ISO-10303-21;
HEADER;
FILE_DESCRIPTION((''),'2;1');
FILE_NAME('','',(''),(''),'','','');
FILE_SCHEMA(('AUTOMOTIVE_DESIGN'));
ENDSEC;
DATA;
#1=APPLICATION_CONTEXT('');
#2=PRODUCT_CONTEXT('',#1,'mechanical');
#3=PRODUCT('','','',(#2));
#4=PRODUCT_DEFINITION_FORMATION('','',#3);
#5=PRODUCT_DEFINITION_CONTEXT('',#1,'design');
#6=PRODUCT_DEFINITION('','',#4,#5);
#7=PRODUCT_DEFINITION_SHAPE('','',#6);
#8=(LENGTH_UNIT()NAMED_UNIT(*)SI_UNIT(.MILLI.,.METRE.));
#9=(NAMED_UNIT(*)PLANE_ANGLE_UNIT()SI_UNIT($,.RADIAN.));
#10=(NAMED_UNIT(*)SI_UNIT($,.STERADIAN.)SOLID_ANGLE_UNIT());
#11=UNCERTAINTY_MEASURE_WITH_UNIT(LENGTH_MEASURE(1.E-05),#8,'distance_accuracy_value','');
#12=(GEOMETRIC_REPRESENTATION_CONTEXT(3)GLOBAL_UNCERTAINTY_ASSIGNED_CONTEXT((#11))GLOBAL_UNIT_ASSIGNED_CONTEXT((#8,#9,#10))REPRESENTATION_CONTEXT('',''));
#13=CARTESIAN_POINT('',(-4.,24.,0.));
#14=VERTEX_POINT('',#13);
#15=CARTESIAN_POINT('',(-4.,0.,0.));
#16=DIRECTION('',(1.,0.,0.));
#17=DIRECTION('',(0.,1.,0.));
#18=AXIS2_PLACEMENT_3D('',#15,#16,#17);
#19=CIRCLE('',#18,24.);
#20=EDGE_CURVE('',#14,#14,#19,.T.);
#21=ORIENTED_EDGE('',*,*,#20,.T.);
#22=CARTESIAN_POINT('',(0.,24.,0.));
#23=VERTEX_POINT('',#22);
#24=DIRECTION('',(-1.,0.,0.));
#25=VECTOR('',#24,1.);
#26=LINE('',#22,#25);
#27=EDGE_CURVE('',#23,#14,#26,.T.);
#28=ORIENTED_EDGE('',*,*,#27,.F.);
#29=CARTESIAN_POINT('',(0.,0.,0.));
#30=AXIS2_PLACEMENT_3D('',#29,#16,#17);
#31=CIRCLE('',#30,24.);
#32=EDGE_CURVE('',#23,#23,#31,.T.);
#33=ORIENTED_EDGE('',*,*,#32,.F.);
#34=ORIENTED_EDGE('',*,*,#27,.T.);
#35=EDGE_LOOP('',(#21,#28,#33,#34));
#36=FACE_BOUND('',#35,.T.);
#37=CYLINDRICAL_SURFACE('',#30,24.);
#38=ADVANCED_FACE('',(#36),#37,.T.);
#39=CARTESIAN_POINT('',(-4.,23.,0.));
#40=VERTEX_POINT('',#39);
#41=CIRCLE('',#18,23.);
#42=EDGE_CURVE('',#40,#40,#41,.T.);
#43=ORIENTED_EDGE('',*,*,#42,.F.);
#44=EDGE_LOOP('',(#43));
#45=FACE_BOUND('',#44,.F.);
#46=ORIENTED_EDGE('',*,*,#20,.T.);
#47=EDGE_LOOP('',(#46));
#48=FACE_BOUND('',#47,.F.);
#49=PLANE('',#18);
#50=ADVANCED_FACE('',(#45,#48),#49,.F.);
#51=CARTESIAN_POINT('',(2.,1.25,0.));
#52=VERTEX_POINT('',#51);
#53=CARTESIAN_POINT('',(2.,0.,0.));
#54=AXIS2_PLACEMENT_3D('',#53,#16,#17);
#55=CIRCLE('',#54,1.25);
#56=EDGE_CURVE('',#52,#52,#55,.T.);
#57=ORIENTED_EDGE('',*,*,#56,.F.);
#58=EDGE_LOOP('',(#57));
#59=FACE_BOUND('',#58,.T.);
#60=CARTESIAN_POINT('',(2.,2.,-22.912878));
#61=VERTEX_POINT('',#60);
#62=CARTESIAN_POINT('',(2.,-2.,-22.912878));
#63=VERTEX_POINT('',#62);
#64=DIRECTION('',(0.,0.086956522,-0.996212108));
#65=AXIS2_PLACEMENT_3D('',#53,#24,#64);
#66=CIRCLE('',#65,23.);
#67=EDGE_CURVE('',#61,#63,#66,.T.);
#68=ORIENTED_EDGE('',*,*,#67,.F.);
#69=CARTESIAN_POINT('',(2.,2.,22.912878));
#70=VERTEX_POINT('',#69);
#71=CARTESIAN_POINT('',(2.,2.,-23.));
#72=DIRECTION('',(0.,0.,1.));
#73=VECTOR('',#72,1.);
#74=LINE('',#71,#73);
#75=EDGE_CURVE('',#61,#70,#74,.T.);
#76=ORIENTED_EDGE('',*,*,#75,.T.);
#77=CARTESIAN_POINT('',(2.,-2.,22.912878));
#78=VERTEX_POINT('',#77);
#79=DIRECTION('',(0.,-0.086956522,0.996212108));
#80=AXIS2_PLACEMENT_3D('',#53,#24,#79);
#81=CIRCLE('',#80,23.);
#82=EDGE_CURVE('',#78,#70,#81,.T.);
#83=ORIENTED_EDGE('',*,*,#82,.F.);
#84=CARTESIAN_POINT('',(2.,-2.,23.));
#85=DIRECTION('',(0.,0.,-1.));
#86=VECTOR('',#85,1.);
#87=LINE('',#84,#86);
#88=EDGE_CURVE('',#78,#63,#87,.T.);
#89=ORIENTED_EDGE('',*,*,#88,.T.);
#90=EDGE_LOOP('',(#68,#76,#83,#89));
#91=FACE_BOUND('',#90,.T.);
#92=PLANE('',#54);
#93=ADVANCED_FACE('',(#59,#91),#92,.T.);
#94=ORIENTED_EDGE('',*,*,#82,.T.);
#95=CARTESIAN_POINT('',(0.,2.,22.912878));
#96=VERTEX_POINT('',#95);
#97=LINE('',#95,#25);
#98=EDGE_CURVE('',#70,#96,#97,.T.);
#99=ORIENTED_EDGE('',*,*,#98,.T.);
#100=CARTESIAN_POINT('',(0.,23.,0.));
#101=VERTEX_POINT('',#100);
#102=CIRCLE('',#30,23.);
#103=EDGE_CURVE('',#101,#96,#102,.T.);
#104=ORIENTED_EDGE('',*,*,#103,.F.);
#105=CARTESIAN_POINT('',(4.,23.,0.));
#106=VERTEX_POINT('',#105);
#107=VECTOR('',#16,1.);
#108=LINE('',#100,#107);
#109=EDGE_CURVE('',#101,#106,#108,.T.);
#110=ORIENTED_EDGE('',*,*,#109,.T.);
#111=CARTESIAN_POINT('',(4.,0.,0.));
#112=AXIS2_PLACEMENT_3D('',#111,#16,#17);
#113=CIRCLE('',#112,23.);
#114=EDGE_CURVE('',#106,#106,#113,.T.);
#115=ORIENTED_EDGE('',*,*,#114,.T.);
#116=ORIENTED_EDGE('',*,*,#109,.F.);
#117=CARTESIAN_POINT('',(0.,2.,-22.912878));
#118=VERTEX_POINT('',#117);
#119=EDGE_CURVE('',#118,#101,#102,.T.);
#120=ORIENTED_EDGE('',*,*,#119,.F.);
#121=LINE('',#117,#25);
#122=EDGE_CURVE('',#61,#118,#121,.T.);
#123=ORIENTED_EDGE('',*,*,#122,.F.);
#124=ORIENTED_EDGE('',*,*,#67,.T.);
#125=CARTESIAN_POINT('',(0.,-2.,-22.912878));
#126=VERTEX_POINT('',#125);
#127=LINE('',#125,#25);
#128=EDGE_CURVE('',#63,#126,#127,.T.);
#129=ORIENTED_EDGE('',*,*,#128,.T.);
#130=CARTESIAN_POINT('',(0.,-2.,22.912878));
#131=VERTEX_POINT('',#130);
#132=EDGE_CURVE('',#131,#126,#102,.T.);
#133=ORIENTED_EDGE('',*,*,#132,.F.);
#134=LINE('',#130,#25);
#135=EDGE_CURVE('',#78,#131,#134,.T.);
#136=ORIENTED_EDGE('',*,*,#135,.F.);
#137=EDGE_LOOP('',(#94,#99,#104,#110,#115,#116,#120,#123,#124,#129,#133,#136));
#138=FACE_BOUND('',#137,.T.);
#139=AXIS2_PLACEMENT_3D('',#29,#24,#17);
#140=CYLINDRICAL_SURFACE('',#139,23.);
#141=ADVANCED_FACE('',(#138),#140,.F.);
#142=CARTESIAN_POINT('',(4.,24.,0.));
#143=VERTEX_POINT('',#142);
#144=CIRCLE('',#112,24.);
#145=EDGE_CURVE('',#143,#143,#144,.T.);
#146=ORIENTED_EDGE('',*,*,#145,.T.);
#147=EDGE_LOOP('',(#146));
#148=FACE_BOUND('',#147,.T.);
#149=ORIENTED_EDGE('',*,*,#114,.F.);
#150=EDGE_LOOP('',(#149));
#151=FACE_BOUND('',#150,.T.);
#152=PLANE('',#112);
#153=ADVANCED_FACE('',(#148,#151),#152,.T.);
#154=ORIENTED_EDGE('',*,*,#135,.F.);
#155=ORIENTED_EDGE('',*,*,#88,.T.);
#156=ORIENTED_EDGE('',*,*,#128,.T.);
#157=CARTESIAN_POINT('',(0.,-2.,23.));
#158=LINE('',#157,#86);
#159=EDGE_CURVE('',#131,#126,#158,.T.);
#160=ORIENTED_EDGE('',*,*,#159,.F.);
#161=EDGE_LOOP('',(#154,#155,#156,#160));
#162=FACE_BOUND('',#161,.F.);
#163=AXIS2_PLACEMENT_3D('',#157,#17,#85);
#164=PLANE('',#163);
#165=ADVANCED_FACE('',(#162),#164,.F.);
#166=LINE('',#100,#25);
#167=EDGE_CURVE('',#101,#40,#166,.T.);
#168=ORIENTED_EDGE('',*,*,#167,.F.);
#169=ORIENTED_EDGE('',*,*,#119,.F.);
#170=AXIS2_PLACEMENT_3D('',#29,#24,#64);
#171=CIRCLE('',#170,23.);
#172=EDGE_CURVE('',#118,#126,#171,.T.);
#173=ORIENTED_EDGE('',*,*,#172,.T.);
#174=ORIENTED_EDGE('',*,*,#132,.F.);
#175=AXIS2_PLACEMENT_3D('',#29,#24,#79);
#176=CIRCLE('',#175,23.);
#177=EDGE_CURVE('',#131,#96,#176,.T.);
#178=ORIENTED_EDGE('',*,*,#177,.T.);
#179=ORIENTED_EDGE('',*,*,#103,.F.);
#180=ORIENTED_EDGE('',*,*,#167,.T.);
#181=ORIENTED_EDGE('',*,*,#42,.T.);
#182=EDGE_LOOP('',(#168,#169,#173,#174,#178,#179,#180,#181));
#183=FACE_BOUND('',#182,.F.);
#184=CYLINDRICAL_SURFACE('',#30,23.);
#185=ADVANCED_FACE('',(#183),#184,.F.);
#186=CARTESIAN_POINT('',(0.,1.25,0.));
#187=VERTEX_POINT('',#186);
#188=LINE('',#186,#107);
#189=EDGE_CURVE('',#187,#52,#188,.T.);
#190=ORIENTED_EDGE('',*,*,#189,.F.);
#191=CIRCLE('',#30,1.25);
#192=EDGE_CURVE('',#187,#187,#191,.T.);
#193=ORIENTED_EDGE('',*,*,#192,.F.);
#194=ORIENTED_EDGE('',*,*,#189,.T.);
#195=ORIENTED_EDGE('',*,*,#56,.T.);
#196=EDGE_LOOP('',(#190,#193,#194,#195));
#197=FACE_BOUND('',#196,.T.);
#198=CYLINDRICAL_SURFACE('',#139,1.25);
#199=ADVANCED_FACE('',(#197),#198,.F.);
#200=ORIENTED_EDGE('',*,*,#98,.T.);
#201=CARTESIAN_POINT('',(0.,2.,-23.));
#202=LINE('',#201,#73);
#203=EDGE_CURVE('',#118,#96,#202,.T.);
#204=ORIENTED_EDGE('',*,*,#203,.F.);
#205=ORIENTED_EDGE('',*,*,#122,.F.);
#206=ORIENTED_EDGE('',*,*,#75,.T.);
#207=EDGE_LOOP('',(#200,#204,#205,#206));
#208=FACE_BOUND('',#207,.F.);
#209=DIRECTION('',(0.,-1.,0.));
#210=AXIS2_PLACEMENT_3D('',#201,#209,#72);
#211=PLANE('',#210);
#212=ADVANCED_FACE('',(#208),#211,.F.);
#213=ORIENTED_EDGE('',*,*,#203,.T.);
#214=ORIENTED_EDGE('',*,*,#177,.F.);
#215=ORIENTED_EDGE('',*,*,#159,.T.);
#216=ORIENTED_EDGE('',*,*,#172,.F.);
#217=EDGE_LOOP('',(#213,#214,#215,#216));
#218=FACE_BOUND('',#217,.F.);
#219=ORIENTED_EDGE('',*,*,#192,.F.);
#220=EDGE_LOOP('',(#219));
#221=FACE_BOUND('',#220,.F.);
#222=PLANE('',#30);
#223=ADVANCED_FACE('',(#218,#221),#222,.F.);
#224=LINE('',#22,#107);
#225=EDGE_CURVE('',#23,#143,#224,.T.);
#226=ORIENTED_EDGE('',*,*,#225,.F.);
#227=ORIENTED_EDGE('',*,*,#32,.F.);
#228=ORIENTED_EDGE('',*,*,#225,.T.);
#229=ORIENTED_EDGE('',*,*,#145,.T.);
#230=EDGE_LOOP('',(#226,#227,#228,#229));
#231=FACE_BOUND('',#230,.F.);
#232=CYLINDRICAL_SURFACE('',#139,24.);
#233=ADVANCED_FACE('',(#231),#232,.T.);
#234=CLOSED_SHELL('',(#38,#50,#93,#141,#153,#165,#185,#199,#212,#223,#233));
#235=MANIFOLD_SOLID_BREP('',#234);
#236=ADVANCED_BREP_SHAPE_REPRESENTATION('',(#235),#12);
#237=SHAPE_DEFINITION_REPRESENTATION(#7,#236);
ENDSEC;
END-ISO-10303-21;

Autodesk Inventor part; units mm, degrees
ref_plane "YZ Plane" through (0, 0, 0) normal (1, 0, 0) x (0, 1, 0)
ref_plane "XZ Plane" through (0, 0, 0) normal (0, 1, 0) x (-1, 0, 0)
ref_plane "XY Plane" through (0, 0, 0) normal (0, 0, 1) x (1, 0, 0)
sketch "Boceto1" plane through (0, 0, 0) normal (1, 0, 0) x (0, 1, 0)
  line L0 (2, 23) -> (-2, 23)
  line L1 (-2, 23) -> (-2, -23)
  line L2 (-2, -23) -> (2, -23)
  line L3 (2, -23) -> (2, 23)
  circle A0 centre (0, 0) radius 1.25
  dimension "d0" = 4
  dimension "d1" = 46
  dimension "d2" = 2
  dimension "d3" = 23
  dimension "d4" = 2.5
extrude "Extrusión1" add sketch "Boceto1" along normal blind 2
sketch "Boceto2" plane through (0, 0, 0) normal (1, 0, 0) x (0, 1, 0)
  circle A0 centre (0, 0) radius 24
  circle A1 centre (0, 0) radius 23
  dimension "d7" = 48
  dimension "d8" = 46
extrude "Extrusión2" add sketch "Boceto2" along normal mid plane 8
properties part number "Molde2" material "Nilón 6/6"
